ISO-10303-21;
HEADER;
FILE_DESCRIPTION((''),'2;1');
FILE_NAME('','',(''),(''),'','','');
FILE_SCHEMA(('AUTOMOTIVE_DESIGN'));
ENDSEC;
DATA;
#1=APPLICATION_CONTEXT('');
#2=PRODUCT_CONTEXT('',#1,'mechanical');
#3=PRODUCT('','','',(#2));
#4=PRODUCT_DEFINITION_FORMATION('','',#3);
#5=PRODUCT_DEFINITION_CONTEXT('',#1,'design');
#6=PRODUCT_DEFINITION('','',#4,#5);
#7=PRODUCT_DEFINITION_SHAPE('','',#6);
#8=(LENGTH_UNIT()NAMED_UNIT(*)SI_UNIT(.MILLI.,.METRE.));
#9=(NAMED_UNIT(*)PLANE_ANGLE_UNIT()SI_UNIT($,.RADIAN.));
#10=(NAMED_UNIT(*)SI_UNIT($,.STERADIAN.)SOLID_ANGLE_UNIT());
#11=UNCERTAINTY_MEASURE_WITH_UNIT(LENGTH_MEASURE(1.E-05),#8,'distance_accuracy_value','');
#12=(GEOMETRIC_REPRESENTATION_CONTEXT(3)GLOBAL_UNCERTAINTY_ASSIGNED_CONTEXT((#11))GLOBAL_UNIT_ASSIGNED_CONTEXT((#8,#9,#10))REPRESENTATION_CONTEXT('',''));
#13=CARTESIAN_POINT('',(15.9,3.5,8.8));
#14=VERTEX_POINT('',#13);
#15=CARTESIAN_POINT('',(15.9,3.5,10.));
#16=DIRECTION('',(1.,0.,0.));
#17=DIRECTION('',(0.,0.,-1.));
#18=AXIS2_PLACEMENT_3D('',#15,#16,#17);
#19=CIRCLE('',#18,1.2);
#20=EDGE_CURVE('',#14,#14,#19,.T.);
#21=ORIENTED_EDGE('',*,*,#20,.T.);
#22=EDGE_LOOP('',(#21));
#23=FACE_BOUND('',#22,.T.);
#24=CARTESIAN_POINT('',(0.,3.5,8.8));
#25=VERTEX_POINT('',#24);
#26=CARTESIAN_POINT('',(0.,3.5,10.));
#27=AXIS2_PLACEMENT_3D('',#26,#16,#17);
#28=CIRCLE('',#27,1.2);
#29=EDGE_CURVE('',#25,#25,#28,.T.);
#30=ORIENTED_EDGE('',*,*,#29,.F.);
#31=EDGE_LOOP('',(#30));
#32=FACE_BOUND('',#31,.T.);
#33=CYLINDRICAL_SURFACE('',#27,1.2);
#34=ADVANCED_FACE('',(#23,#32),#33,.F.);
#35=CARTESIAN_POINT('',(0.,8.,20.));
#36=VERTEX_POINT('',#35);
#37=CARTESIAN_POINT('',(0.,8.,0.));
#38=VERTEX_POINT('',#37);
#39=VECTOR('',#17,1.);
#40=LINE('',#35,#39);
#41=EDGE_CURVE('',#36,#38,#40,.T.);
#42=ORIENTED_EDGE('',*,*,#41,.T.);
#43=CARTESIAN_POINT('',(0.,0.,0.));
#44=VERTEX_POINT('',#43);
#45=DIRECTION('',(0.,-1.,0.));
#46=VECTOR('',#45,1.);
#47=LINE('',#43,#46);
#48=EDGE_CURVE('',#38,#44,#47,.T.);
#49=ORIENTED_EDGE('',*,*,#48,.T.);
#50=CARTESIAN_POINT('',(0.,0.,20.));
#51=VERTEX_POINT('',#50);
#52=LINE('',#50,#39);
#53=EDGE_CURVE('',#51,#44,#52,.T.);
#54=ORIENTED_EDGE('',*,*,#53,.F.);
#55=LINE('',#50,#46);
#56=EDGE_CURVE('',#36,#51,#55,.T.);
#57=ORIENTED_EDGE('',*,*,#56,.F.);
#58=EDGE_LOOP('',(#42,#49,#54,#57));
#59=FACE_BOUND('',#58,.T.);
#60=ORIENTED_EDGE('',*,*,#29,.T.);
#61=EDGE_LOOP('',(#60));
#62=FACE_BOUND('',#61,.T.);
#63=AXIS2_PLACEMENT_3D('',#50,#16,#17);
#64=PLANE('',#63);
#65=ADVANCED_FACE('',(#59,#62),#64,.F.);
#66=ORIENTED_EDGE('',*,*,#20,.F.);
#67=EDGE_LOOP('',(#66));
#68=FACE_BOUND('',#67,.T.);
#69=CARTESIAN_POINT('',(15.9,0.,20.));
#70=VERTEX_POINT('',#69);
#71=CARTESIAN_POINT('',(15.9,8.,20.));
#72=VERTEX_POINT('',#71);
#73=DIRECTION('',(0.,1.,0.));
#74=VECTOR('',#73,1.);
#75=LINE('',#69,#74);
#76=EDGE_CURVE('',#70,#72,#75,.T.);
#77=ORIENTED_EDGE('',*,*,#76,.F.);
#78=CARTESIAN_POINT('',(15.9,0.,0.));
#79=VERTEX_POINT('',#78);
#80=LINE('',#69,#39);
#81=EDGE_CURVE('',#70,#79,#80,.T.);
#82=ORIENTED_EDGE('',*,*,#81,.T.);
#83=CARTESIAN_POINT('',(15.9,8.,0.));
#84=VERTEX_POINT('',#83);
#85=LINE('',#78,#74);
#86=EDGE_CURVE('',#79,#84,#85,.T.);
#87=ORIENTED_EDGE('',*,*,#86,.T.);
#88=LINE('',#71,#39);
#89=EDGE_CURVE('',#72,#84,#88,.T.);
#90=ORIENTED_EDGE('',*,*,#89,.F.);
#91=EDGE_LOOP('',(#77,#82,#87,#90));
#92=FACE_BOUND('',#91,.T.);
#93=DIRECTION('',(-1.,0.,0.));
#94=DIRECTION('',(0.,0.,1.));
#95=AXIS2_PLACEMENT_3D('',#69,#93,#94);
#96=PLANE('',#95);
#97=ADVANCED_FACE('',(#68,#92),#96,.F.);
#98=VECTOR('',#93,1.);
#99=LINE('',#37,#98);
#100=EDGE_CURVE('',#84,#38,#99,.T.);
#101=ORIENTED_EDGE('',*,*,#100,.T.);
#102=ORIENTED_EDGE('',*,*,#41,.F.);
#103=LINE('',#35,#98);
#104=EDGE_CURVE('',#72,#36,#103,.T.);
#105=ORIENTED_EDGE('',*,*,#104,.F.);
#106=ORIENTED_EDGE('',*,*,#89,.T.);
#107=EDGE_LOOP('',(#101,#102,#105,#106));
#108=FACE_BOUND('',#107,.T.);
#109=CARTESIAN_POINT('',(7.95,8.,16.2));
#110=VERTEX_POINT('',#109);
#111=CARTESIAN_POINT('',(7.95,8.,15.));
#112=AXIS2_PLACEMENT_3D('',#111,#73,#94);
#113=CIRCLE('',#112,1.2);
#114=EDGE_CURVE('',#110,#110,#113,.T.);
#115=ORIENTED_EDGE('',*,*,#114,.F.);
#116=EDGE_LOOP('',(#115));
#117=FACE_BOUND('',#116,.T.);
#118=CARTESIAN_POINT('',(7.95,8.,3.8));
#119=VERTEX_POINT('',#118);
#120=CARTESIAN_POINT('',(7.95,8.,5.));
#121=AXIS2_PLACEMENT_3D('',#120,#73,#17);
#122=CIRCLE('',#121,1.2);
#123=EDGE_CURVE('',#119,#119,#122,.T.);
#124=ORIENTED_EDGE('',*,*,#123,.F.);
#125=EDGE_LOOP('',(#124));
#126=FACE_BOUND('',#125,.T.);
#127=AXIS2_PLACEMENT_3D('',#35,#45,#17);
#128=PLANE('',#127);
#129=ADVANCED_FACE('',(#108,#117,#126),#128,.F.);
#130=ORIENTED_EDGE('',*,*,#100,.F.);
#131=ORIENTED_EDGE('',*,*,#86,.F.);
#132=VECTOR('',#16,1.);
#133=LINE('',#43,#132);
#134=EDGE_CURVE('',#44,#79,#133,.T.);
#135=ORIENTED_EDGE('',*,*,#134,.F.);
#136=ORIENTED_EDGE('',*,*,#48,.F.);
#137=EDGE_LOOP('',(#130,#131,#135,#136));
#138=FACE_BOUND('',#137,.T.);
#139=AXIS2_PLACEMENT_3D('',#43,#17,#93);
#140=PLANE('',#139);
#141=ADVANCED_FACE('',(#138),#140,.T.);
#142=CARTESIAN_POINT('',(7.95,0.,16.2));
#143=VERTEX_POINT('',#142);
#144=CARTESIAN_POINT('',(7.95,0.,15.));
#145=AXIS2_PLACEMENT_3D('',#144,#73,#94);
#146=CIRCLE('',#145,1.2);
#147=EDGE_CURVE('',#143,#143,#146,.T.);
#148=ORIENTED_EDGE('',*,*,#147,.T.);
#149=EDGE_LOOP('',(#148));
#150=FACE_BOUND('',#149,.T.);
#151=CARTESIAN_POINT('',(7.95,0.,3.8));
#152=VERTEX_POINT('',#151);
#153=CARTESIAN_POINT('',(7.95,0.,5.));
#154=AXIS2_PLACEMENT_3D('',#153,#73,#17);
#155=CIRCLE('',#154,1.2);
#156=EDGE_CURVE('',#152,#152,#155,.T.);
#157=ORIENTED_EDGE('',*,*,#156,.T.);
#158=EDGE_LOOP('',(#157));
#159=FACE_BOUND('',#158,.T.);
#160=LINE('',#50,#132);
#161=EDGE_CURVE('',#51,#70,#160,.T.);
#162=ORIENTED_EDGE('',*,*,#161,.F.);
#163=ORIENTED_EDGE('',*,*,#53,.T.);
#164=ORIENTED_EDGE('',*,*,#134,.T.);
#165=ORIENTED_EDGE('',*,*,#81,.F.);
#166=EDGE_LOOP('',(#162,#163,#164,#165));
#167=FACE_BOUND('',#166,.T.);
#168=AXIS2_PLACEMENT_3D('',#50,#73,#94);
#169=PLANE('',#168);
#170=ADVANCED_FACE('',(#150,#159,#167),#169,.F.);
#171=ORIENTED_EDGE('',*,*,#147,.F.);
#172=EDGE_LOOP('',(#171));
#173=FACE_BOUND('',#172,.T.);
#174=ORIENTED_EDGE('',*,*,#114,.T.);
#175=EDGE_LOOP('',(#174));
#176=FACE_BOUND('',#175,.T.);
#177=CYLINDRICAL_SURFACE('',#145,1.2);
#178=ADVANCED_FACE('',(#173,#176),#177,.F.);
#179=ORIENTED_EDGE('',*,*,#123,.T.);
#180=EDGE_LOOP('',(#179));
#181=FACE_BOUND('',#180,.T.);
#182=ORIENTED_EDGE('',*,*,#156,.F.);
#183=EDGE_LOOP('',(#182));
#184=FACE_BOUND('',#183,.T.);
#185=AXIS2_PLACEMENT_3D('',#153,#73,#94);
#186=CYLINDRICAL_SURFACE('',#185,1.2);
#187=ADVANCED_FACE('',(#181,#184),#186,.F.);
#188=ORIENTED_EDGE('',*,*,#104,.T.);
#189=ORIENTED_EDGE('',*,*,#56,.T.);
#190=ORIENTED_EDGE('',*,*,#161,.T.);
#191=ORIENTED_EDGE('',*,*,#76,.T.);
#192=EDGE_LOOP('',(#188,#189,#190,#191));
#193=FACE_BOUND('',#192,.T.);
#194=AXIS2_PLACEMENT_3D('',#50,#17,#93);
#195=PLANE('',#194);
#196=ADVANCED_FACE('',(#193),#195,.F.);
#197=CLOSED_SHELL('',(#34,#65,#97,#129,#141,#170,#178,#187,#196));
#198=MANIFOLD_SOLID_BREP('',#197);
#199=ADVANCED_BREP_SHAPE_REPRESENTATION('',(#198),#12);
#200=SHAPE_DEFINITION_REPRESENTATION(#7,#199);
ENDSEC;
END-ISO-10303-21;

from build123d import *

# Parameters (mm, degrees)
SKETCH1_W           = 15.9
SKETCH1_H           = 8
BOSS_EXTRUDE1_DEPTH = 20
SKETCH2_R           = 1.2
CUT_EXTRUDE1_DEPTH  = 16.9
SKETCH3_R           = 1.2
CUT_EXTRUDE2_DEPTH  = 9


with BuildPart() as part:
    # Sketch1 → Boss-Extrude1 (new body)
    with BuildSketch(Plane.XY):
        with Locations((7.95, 4)):
            Rectangle(SKETCH1_W, SKETCH1_H)
    extrude(amount=BOSS_EXTRUDE1_DEPTH)

    # Sketch2 → Cut-Extrude1 (cut, through all)
    with BuildSketch(Plane(origin=(15.9, 0, 0), x_dir=(0, 0, -1), z_dir=(1, 0, 0))):
        with Locations((-10, 3.5)):
            Circle(SKETCH2_R)
    extrude(amount=-CUT_EXTRUDE1_DEPTH, mode=Mode.SUBTRACT)

    # Sketch3 → Cut-Extrude2 (cut, through all)
    with BuildSketch(Plane(origin=(0, 8, 0), x_dir=(1, 0, 0), z_dir=(0, 1, 0))):
        with Locations((7.95, -15)):
            Circle(SKETCH3_R)
        with Locations((7.95, -5)):
            Circle(SKETCH3_R)
    extrude(amount=-CUT_EXTRUDE2_DEPTH, mode=Mode.SUBTRACT)


solid = part.part
